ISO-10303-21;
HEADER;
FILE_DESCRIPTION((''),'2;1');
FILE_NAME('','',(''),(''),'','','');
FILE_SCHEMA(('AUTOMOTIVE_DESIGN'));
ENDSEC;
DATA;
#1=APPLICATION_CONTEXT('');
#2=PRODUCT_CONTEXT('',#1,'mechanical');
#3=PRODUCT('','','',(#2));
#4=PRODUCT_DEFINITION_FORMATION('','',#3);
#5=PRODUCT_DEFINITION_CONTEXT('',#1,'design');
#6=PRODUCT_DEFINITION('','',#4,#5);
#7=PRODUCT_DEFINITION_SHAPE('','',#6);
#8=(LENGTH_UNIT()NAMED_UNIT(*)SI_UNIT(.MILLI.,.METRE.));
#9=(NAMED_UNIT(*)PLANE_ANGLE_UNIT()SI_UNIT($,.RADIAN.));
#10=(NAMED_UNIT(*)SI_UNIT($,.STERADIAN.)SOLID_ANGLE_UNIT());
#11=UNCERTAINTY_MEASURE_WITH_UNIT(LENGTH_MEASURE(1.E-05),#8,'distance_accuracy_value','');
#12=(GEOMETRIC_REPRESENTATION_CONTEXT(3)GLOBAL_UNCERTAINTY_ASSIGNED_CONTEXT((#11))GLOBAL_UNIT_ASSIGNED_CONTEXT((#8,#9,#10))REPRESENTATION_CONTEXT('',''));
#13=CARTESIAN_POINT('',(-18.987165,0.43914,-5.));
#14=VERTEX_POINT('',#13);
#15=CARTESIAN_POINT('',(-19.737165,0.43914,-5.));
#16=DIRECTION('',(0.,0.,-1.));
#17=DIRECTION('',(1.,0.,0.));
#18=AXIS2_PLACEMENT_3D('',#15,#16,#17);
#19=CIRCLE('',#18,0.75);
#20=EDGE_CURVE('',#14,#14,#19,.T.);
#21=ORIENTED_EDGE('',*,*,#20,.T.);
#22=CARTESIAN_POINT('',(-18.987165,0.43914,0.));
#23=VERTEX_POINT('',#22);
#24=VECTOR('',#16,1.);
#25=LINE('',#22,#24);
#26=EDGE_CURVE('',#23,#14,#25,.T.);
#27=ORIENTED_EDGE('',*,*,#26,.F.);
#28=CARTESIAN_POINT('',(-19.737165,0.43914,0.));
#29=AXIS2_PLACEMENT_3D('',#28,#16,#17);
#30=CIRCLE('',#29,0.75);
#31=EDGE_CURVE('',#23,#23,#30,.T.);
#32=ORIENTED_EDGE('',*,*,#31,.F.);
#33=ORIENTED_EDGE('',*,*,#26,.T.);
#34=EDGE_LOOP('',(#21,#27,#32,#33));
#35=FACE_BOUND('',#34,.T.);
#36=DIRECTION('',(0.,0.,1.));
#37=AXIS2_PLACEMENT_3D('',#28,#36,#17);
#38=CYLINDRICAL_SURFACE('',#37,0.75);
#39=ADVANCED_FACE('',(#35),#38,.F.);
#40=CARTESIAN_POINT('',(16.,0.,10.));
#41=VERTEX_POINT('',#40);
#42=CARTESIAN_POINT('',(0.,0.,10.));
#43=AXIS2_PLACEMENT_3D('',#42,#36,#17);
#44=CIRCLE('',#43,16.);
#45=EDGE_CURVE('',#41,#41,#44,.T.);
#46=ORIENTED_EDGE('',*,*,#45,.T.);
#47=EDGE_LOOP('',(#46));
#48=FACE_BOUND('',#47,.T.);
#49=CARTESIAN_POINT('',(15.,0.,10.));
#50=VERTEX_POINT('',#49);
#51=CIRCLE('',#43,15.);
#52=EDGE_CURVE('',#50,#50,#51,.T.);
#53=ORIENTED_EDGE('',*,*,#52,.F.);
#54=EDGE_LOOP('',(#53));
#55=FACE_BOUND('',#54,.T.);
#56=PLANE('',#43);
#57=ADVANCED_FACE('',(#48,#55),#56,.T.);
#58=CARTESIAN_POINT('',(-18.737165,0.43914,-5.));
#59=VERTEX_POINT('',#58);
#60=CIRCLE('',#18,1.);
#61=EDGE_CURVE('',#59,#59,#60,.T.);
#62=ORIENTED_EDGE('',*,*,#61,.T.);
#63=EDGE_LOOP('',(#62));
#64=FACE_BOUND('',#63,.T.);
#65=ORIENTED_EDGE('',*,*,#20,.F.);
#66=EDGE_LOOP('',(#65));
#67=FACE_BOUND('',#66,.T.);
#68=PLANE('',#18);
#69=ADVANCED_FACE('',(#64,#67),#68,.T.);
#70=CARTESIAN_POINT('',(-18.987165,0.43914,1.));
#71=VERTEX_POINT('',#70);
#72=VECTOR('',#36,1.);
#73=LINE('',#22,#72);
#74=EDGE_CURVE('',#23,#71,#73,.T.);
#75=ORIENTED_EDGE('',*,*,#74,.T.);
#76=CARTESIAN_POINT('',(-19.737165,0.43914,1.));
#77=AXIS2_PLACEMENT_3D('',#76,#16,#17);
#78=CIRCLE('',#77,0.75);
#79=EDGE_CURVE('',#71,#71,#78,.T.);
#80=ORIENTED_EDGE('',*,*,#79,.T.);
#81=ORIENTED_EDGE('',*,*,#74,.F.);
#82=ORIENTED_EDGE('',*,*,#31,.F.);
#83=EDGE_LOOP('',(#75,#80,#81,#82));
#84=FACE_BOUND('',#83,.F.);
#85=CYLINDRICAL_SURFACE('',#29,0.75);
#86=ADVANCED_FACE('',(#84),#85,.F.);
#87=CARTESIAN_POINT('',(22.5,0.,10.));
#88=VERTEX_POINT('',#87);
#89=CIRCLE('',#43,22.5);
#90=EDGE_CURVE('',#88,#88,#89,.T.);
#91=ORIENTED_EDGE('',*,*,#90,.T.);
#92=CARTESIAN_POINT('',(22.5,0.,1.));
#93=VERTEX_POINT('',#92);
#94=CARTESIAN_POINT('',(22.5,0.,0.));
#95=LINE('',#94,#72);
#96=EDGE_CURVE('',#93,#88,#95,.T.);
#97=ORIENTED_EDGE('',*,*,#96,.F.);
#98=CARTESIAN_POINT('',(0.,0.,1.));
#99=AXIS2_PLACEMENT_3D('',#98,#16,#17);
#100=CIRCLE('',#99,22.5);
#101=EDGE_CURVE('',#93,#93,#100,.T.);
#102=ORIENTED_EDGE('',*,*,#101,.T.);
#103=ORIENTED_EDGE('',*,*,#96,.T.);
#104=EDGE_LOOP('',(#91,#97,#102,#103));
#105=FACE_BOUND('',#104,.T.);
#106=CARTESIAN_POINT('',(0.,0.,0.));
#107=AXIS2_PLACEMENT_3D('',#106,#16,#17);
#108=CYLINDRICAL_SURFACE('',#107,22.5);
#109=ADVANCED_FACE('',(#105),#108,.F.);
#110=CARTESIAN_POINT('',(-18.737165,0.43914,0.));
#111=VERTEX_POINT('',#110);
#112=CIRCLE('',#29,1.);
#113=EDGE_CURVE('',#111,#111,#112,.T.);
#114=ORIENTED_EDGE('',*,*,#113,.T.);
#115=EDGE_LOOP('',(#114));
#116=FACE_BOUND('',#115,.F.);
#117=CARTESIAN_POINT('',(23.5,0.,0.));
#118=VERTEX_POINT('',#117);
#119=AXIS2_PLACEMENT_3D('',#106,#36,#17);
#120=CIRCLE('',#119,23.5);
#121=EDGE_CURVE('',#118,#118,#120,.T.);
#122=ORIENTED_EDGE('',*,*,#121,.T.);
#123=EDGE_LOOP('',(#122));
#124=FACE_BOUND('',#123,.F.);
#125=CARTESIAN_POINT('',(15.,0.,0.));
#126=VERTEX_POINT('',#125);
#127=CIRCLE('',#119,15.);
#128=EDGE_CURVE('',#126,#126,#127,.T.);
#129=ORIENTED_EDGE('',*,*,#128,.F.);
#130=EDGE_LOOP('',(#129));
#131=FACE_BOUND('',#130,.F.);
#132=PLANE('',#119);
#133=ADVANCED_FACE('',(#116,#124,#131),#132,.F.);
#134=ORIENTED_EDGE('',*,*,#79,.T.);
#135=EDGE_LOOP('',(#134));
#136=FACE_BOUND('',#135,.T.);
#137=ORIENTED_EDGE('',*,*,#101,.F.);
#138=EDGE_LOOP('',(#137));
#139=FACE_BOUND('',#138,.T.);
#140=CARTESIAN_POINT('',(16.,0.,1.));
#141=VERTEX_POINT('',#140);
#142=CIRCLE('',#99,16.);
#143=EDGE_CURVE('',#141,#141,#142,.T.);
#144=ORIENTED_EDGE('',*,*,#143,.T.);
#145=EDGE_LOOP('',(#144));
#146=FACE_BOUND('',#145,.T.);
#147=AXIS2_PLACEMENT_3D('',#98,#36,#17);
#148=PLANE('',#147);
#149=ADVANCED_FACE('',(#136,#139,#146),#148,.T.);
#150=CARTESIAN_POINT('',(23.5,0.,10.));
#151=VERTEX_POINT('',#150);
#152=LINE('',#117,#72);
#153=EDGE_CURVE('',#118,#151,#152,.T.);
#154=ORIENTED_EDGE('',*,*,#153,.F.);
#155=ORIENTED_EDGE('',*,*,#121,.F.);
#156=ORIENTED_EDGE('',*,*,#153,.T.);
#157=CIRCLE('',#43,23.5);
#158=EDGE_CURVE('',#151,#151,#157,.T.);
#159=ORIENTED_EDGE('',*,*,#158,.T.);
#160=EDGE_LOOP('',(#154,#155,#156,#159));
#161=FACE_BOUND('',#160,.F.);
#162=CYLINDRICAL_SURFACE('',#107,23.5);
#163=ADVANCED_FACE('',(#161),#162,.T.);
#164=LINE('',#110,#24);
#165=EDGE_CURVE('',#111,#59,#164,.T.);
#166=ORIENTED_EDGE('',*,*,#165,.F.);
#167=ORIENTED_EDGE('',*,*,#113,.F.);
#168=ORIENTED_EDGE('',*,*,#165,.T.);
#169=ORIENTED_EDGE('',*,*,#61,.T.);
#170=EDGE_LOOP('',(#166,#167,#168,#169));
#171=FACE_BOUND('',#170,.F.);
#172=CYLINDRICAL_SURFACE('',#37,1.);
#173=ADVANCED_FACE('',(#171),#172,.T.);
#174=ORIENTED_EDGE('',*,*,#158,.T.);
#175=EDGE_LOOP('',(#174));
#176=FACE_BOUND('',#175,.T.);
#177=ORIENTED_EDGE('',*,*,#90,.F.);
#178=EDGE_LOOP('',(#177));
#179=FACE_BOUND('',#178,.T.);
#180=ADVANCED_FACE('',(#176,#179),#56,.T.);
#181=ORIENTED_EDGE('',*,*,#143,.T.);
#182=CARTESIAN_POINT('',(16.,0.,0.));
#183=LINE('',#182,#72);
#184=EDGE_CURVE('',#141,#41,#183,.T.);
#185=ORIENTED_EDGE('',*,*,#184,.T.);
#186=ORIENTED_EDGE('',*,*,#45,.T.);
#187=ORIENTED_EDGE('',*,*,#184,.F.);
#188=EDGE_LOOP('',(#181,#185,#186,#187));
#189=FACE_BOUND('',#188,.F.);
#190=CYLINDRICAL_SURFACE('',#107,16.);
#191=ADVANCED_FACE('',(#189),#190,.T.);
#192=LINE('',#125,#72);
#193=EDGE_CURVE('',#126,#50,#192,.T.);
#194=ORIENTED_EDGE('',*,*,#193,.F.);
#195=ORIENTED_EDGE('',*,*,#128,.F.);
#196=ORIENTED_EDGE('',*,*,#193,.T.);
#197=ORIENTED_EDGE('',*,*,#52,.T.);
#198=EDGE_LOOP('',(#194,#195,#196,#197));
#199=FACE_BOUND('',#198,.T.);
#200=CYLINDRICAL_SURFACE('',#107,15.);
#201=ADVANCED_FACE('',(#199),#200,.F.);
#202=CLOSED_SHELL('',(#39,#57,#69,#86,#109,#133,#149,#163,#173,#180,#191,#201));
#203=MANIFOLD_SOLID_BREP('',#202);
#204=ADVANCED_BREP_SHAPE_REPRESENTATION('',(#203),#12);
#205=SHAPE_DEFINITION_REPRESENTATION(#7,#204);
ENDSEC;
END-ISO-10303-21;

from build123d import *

# Parameters (mm, degrees)
F0_R     = 23.5
F0_R_2   = 15
F1_DEPTH = 10
F2_T     = -1
F3_R     = 1
F3_R_2   = 0.75
F4_DEPTH = 5
F5_R     = 0.75
F6_DEPTH = 1.1


with BuildPart() as f1:
    # F0 (on Top) → F1 (new body)
    with BuildSketch(Plane.XY):
        Circle(F0_R)
        Circle(F0_R_2, mode=Mode.SUBTRACT)
    extrude(amount=F1_DEPTH)

    # F2
    f2_openings = [f1.faces().sort_by_distance(p)[0] for p in [
        (-22.83532, 0, 10),
    ]]
    offset(amount=F2_T, openings=f2_openings)

    # F3 (on face) → F4 (join)
    with BuildSketch(Plane(origin=(0, 0, 0), x_dir=(1, 0, 0), z_dir=(0, 0, -1))):
        with Locations((-19.737165, -0.43914)):
            Circle(F3_R)
        with Locations((-19.737165, -0.43914)):
            Circle(F3_R_2, mode=Mode.SUBTRACT)
    extrude(amount=F4_DEPTH)

    # F5 (on face) → F6 (cut)
    with BuildSketch(Plane(origin=(0, 0, 0), x_dir=(1, 0, 0), z_dir=(0, 0, -1))):
        with Locations((-19.737165, -0.43914)):
            Circle(F5_R)
    extrude(amount=-F6_DEPTH, mode=Mode.SUBTRACT)


solid = f1.part
